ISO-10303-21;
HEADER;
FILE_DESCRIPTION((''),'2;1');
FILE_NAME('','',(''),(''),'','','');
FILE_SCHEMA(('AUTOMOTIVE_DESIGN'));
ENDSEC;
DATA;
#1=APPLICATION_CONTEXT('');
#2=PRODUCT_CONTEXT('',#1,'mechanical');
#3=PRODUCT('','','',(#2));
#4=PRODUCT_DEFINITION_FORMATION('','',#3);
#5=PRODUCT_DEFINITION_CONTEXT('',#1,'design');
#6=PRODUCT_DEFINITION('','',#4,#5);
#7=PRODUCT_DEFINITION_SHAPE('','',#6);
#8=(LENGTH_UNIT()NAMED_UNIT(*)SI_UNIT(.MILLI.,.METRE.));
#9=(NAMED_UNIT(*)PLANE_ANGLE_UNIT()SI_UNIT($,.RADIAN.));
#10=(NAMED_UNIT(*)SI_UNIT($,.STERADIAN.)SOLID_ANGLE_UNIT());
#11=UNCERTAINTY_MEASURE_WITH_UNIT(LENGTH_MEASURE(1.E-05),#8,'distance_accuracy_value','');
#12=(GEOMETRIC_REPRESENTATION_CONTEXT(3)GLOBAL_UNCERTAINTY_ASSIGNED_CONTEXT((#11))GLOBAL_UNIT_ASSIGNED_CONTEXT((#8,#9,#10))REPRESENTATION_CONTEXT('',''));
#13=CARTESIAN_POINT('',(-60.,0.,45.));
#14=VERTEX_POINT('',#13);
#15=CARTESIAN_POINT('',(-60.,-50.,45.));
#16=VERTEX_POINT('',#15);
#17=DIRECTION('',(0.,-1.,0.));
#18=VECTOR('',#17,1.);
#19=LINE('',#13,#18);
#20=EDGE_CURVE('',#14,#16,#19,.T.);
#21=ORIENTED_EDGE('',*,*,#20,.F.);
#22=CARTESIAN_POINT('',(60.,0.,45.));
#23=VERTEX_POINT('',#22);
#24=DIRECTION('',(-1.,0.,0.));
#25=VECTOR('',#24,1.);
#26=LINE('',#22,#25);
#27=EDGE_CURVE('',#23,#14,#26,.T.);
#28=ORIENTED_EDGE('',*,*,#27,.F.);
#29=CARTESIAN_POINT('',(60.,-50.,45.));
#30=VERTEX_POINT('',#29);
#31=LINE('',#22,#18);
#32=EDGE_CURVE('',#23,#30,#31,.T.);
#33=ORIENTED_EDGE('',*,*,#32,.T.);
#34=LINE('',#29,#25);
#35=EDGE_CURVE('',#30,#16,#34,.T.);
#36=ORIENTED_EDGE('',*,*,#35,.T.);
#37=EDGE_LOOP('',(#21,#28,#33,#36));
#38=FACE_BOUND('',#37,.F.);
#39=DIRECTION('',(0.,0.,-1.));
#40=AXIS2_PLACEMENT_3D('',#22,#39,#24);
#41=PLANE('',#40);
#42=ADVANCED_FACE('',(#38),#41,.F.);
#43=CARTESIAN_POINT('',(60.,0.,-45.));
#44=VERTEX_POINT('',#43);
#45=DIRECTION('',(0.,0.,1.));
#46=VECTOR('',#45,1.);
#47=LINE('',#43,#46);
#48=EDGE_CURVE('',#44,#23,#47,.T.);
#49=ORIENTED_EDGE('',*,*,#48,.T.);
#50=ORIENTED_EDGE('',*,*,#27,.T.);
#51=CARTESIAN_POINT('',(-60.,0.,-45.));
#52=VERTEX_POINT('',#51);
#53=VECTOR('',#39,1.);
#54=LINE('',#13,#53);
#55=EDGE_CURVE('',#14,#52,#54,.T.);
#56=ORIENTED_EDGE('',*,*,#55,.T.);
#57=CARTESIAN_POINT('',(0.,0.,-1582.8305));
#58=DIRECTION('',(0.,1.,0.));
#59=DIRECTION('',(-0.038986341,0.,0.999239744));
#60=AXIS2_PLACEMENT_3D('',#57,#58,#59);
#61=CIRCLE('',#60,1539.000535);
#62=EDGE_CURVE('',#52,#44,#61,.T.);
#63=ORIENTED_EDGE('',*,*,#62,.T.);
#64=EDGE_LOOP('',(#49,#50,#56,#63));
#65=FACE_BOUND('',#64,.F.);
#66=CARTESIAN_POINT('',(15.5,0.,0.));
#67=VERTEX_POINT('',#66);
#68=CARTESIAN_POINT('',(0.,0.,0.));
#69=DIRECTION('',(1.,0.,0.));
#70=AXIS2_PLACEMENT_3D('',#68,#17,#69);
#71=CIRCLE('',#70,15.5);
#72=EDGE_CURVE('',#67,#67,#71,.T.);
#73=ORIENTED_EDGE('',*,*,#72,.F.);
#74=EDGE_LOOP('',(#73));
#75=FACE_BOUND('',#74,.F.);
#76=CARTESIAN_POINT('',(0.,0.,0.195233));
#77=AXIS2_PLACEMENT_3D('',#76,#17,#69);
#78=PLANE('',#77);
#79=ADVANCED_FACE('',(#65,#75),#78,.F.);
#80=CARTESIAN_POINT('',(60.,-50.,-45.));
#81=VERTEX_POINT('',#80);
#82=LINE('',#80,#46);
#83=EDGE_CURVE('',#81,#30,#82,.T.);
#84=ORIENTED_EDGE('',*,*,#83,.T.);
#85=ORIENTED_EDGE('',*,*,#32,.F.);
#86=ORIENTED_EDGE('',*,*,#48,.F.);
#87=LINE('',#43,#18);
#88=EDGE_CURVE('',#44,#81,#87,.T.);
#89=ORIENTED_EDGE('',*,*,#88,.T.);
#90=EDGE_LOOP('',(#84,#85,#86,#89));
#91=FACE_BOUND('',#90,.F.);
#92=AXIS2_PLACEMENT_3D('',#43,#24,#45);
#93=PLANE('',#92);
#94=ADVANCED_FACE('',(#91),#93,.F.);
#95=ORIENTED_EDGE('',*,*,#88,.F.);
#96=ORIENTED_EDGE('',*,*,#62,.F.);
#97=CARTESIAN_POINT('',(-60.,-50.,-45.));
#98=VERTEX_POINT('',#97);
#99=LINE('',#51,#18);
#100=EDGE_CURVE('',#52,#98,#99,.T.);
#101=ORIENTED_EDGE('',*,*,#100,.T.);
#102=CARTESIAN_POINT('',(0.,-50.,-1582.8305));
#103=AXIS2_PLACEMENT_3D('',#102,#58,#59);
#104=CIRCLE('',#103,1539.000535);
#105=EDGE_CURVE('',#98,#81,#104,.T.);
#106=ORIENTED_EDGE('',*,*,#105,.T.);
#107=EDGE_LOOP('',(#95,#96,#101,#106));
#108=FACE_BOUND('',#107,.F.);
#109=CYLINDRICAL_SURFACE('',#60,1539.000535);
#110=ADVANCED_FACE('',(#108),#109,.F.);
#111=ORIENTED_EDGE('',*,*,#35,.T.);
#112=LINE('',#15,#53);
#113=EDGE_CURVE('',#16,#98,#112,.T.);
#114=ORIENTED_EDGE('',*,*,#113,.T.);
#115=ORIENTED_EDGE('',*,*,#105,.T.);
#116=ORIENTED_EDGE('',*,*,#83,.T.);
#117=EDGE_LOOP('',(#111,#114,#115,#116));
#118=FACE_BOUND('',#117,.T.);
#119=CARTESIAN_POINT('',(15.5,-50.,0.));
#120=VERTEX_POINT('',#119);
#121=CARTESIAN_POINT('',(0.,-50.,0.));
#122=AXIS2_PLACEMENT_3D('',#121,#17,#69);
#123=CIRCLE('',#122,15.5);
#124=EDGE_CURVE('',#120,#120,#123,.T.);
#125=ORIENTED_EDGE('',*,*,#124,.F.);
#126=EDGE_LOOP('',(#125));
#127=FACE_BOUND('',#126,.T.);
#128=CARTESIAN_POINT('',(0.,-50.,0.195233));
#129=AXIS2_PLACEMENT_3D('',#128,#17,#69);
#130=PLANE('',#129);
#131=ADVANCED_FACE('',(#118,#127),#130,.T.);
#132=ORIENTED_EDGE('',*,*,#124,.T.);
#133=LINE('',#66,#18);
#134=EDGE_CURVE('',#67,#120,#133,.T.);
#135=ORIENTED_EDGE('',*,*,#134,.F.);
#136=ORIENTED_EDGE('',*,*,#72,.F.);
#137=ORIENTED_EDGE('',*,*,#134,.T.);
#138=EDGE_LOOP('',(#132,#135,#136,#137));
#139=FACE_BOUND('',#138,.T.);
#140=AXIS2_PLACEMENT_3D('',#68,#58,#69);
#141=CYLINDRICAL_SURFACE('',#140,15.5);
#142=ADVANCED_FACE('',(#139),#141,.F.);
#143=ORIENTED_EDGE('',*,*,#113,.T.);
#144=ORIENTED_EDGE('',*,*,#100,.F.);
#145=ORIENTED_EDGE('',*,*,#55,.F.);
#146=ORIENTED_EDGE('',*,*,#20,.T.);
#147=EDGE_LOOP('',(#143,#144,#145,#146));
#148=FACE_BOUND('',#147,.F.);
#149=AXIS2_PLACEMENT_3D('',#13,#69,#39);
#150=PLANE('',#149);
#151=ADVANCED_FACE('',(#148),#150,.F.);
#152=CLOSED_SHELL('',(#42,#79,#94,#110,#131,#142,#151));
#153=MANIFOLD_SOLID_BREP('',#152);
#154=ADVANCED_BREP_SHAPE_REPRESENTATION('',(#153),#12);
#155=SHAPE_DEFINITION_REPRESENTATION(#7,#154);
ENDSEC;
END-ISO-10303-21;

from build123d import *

# Parameters (mm, degrees)
F0_R     = 15.5
F1_DEPTH = 50


with BuildPart() as f1:
    # F0 (on Front) → F1 (new body)
    with BuildSketch(Plane.XZ):
        with BuildLine():
            Line((60, 45), (-60, 45))
            Line((-60, 45), (-60, -45))
            ThreePointArc((-60, -45), (0, -43.829965), (60, -45))
            Line((60, -45), (60, 45))
        make_face()
        Circle(F0_R, mode=Mode.SUBTRACT)
    extrude(amount=F1_DEPTH)


solid = f1.part
